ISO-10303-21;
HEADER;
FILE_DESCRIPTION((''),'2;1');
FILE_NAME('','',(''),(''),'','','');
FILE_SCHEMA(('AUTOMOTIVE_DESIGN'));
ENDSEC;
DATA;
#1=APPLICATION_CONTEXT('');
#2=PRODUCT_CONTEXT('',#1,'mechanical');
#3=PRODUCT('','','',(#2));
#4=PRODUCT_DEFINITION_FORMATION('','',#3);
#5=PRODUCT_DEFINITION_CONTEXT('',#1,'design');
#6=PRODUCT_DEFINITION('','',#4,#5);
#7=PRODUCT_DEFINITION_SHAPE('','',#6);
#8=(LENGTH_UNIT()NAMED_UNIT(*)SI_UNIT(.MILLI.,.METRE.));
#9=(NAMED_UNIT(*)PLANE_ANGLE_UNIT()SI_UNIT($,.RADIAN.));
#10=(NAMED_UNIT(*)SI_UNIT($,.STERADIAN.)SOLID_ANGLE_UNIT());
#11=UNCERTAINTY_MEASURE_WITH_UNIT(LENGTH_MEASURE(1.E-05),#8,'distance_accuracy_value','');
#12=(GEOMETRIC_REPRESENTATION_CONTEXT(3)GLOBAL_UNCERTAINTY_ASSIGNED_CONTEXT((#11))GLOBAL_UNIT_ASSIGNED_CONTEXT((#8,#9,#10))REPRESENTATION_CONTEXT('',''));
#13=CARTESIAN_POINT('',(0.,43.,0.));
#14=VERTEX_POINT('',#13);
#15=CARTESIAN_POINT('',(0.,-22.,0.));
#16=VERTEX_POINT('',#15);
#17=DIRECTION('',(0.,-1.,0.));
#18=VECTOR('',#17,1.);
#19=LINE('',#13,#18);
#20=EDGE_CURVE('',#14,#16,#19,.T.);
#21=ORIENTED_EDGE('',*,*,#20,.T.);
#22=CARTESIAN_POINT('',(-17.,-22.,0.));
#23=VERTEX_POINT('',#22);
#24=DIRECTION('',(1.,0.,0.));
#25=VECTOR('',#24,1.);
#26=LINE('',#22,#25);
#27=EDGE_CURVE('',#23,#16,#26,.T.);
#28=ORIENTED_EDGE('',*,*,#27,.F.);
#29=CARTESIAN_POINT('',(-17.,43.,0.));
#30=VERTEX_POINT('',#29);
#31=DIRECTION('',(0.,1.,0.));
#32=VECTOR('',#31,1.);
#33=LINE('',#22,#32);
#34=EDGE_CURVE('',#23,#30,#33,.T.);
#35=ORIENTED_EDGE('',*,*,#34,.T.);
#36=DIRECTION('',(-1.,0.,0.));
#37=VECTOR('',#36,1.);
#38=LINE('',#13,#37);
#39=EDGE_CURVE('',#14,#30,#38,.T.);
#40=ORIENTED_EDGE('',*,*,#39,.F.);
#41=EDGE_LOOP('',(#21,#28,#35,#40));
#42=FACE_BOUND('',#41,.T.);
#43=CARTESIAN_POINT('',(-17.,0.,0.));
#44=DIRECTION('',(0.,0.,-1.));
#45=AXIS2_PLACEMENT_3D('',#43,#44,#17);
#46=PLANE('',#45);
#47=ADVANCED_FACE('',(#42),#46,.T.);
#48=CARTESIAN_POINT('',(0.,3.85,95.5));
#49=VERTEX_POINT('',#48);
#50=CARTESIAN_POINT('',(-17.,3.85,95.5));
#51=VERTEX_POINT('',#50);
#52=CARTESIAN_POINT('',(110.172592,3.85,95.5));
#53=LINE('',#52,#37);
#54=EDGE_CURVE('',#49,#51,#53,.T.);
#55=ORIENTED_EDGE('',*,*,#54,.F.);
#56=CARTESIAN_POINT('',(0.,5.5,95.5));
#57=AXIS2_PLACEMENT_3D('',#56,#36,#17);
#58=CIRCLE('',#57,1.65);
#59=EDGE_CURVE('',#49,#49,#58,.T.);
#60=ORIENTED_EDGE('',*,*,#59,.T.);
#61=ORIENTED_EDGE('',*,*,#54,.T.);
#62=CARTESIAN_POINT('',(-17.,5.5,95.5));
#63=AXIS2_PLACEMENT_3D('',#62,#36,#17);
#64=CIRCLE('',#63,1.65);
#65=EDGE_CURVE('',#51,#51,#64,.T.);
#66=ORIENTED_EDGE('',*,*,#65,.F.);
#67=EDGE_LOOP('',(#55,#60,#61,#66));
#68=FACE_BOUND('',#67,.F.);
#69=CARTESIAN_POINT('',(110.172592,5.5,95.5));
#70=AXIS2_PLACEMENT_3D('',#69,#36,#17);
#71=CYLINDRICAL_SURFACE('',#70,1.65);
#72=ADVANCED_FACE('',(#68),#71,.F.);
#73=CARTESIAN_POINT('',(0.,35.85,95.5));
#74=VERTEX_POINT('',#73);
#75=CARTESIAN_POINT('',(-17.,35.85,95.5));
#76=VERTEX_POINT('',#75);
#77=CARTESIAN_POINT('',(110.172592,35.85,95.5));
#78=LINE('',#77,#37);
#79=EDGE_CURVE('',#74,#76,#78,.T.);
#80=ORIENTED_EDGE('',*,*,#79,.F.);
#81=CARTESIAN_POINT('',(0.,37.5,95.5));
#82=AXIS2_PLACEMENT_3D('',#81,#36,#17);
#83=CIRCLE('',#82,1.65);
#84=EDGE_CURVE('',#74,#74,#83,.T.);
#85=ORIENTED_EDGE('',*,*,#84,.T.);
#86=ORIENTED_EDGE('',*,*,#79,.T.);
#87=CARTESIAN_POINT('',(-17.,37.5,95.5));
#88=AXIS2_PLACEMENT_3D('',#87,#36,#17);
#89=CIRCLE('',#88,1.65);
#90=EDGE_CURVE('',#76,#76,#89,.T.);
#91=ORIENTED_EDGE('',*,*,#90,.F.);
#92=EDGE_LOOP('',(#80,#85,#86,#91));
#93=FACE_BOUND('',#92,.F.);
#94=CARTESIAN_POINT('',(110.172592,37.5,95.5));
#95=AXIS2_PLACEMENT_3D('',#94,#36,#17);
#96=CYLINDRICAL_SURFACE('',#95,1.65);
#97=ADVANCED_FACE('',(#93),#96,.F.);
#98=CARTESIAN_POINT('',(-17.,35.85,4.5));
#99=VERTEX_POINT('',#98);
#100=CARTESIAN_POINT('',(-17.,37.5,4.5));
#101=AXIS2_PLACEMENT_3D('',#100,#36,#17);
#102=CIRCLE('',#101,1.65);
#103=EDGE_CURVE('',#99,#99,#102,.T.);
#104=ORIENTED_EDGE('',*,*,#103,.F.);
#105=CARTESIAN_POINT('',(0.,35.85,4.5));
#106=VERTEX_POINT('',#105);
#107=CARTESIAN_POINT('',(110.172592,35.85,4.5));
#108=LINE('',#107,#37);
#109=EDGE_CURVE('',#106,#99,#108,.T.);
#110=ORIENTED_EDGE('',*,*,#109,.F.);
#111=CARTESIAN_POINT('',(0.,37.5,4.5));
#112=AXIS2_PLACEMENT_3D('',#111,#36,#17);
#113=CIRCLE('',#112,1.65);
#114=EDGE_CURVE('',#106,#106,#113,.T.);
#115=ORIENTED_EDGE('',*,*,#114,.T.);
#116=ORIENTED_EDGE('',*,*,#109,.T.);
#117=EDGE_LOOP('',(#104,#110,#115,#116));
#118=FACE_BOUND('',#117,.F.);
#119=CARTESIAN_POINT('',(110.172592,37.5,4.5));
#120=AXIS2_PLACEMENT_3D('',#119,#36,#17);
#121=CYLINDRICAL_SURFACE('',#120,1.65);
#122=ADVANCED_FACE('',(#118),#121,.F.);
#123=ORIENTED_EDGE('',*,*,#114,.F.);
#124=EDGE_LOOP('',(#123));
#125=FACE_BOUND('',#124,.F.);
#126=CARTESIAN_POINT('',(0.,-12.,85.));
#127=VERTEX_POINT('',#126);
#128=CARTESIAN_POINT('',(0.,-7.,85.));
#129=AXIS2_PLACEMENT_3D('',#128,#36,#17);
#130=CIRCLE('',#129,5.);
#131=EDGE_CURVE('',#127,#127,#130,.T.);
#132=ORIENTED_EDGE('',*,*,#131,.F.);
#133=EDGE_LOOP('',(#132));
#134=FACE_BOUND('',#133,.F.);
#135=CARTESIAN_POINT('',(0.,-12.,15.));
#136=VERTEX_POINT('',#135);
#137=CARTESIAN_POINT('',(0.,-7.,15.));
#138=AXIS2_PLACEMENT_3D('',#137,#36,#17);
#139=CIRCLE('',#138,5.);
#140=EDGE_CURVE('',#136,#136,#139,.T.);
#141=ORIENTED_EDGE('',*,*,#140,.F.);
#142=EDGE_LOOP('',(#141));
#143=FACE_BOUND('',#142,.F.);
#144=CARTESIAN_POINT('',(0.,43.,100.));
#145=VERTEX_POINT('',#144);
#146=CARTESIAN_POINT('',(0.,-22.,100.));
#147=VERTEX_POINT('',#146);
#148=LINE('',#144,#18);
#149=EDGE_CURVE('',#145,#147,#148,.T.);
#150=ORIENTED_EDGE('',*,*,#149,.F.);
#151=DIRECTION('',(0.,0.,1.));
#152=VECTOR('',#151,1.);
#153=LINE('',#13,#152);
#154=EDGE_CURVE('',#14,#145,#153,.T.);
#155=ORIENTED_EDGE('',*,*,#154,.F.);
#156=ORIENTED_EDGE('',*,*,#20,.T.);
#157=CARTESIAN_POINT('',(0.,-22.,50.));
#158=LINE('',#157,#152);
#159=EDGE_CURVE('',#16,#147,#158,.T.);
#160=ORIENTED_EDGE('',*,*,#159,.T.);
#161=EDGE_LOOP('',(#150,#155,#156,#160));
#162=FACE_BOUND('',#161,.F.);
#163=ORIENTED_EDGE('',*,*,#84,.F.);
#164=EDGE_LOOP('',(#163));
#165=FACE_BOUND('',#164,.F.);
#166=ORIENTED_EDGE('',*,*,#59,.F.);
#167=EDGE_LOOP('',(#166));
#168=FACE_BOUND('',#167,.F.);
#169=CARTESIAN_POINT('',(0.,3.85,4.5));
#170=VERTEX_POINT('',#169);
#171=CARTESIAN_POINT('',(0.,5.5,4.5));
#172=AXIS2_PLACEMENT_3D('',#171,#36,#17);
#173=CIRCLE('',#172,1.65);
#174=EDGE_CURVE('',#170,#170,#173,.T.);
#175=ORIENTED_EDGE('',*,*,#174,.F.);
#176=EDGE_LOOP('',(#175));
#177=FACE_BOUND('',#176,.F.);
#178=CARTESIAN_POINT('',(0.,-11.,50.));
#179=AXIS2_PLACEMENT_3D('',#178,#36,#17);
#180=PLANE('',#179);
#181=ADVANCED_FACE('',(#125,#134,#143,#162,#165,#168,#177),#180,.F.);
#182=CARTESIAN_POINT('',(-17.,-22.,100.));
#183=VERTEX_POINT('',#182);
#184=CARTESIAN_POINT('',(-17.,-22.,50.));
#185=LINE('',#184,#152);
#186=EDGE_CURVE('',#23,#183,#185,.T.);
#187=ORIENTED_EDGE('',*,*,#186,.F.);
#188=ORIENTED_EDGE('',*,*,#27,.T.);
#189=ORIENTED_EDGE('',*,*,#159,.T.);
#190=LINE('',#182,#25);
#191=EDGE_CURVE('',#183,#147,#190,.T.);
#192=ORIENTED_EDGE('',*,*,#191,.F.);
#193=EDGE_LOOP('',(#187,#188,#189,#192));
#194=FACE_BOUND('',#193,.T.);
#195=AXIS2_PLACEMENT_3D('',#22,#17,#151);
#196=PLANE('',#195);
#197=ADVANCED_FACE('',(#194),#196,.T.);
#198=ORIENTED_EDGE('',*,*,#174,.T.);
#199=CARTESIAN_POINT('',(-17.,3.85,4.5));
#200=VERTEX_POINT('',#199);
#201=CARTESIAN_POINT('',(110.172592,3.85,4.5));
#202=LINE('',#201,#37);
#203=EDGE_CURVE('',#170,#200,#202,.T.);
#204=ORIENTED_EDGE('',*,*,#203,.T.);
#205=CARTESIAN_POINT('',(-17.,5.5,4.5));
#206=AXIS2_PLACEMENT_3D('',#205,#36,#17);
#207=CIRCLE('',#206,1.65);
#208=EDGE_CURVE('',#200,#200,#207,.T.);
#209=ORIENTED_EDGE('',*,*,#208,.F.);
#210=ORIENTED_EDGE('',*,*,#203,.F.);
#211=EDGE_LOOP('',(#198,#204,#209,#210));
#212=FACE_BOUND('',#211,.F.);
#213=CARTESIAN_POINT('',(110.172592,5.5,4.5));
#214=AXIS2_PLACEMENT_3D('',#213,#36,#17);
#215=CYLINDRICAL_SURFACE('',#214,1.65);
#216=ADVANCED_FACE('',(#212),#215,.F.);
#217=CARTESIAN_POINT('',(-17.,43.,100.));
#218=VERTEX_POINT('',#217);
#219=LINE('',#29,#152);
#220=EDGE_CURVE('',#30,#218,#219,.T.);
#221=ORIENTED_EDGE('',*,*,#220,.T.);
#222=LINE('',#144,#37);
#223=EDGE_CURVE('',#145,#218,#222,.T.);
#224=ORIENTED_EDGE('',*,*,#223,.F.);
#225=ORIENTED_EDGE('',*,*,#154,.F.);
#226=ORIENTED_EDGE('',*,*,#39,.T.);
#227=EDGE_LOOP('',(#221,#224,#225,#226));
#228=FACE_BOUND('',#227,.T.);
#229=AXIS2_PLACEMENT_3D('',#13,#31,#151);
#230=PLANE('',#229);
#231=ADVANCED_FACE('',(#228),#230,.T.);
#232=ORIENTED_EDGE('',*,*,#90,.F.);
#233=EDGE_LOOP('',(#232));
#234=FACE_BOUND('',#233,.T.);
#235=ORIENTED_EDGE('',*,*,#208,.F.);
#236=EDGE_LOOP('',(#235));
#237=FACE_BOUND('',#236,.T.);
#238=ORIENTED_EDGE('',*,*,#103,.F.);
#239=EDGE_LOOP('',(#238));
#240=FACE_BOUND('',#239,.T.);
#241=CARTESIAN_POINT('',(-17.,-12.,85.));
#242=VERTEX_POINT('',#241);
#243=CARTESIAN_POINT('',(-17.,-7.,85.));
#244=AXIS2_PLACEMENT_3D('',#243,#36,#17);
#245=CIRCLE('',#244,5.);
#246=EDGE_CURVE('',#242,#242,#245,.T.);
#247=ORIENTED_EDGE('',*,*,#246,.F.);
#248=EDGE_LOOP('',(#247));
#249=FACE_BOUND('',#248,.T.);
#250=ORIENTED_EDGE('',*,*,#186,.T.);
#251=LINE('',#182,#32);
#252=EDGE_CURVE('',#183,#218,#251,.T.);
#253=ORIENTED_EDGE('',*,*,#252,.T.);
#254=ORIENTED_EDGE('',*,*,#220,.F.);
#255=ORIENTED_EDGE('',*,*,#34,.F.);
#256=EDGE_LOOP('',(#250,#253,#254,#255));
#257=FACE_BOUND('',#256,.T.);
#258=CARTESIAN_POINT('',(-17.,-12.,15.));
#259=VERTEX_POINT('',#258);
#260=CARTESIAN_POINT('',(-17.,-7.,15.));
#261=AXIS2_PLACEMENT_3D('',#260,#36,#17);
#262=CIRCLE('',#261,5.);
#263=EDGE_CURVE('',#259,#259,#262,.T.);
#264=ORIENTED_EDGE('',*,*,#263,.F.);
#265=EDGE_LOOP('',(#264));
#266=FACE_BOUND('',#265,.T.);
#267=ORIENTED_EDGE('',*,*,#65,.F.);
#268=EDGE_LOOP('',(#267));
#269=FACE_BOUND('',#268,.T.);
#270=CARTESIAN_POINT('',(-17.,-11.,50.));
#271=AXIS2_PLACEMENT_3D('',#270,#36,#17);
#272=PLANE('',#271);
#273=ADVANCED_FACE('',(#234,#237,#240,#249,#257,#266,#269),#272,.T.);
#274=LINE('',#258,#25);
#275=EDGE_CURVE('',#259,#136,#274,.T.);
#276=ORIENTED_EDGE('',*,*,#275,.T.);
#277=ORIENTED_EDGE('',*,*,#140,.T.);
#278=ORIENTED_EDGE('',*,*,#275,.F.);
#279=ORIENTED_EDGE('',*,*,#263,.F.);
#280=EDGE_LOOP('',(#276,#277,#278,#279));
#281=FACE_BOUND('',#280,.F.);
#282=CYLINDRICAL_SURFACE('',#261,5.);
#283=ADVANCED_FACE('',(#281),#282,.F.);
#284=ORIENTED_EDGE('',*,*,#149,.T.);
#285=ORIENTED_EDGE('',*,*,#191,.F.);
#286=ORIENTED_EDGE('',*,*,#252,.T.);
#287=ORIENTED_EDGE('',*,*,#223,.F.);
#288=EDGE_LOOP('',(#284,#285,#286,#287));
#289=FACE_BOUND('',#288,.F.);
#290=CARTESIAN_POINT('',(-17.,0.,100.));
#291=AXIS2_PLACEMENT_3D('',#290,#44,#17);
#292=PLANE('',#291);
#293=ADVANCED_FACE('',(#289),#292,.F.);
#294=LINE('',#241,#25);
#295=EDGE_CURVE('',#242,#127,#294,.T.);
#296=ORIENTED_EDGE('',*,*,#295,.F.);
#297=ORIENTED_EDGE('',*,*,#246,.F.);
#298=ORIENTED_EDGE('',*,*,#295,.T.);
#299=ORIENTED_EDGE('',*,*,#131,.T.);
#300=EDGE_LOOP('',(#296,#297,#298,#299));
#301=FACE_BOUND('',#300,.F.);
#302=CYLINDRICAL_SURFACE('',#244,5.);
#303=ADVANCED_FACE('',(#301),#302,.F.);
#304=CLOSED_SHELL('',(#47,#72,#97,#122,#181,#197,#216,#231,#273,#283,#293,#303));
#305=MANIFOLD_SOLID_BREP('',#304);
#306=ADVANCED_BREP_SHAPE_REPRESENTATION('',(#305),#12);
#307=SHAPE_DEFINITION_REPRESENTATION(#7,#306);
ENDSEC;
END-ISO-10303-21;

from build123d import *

# Parameters (mm, degrees)
F1_DEPTH = 17
F2_D     = 3.3
F3_W     = 22
F3_H     = 100
F3_R     = 5
F4_DEPTH = 17


with BuildPart() as f1:
    # F0 (on Right) → F1 (new body)
    with BuildSketch(Plane.YZ):
        Polygon((43, 100), (0, 100), (0, 0), (43, 0), (43, 33), (43, 67), align=None)
    extrude(amount=-F1_DEPTH)

    # F2 (through all)
    with Locations(Plane.YZ):
        with Locations((37.5, 4.5), (5.5, 4.5), (5.5, 95.5), (37.5, 95.5)):
            Hole(F2_D / 2)

    # F3 (on face) → F4 (join, through all)
    with BuildSketch(Plane(origin=(-17, 0, 0), x_dir=(0, -1, 0), z_dir=(-1, 0, 0))):
        with Locations((11, 50)):
            Rectangle(F3_W, F3_H)
        with Locations((7, 15)):
            Circle(F3_R, mode=Mode.SUBTRACT)
        with Locations((7, 85)):
            Circle(F3_R, mode=Mode.SUBTRACT)
    extrude(amount=-F4_DEPTH)


solid = f1.part
